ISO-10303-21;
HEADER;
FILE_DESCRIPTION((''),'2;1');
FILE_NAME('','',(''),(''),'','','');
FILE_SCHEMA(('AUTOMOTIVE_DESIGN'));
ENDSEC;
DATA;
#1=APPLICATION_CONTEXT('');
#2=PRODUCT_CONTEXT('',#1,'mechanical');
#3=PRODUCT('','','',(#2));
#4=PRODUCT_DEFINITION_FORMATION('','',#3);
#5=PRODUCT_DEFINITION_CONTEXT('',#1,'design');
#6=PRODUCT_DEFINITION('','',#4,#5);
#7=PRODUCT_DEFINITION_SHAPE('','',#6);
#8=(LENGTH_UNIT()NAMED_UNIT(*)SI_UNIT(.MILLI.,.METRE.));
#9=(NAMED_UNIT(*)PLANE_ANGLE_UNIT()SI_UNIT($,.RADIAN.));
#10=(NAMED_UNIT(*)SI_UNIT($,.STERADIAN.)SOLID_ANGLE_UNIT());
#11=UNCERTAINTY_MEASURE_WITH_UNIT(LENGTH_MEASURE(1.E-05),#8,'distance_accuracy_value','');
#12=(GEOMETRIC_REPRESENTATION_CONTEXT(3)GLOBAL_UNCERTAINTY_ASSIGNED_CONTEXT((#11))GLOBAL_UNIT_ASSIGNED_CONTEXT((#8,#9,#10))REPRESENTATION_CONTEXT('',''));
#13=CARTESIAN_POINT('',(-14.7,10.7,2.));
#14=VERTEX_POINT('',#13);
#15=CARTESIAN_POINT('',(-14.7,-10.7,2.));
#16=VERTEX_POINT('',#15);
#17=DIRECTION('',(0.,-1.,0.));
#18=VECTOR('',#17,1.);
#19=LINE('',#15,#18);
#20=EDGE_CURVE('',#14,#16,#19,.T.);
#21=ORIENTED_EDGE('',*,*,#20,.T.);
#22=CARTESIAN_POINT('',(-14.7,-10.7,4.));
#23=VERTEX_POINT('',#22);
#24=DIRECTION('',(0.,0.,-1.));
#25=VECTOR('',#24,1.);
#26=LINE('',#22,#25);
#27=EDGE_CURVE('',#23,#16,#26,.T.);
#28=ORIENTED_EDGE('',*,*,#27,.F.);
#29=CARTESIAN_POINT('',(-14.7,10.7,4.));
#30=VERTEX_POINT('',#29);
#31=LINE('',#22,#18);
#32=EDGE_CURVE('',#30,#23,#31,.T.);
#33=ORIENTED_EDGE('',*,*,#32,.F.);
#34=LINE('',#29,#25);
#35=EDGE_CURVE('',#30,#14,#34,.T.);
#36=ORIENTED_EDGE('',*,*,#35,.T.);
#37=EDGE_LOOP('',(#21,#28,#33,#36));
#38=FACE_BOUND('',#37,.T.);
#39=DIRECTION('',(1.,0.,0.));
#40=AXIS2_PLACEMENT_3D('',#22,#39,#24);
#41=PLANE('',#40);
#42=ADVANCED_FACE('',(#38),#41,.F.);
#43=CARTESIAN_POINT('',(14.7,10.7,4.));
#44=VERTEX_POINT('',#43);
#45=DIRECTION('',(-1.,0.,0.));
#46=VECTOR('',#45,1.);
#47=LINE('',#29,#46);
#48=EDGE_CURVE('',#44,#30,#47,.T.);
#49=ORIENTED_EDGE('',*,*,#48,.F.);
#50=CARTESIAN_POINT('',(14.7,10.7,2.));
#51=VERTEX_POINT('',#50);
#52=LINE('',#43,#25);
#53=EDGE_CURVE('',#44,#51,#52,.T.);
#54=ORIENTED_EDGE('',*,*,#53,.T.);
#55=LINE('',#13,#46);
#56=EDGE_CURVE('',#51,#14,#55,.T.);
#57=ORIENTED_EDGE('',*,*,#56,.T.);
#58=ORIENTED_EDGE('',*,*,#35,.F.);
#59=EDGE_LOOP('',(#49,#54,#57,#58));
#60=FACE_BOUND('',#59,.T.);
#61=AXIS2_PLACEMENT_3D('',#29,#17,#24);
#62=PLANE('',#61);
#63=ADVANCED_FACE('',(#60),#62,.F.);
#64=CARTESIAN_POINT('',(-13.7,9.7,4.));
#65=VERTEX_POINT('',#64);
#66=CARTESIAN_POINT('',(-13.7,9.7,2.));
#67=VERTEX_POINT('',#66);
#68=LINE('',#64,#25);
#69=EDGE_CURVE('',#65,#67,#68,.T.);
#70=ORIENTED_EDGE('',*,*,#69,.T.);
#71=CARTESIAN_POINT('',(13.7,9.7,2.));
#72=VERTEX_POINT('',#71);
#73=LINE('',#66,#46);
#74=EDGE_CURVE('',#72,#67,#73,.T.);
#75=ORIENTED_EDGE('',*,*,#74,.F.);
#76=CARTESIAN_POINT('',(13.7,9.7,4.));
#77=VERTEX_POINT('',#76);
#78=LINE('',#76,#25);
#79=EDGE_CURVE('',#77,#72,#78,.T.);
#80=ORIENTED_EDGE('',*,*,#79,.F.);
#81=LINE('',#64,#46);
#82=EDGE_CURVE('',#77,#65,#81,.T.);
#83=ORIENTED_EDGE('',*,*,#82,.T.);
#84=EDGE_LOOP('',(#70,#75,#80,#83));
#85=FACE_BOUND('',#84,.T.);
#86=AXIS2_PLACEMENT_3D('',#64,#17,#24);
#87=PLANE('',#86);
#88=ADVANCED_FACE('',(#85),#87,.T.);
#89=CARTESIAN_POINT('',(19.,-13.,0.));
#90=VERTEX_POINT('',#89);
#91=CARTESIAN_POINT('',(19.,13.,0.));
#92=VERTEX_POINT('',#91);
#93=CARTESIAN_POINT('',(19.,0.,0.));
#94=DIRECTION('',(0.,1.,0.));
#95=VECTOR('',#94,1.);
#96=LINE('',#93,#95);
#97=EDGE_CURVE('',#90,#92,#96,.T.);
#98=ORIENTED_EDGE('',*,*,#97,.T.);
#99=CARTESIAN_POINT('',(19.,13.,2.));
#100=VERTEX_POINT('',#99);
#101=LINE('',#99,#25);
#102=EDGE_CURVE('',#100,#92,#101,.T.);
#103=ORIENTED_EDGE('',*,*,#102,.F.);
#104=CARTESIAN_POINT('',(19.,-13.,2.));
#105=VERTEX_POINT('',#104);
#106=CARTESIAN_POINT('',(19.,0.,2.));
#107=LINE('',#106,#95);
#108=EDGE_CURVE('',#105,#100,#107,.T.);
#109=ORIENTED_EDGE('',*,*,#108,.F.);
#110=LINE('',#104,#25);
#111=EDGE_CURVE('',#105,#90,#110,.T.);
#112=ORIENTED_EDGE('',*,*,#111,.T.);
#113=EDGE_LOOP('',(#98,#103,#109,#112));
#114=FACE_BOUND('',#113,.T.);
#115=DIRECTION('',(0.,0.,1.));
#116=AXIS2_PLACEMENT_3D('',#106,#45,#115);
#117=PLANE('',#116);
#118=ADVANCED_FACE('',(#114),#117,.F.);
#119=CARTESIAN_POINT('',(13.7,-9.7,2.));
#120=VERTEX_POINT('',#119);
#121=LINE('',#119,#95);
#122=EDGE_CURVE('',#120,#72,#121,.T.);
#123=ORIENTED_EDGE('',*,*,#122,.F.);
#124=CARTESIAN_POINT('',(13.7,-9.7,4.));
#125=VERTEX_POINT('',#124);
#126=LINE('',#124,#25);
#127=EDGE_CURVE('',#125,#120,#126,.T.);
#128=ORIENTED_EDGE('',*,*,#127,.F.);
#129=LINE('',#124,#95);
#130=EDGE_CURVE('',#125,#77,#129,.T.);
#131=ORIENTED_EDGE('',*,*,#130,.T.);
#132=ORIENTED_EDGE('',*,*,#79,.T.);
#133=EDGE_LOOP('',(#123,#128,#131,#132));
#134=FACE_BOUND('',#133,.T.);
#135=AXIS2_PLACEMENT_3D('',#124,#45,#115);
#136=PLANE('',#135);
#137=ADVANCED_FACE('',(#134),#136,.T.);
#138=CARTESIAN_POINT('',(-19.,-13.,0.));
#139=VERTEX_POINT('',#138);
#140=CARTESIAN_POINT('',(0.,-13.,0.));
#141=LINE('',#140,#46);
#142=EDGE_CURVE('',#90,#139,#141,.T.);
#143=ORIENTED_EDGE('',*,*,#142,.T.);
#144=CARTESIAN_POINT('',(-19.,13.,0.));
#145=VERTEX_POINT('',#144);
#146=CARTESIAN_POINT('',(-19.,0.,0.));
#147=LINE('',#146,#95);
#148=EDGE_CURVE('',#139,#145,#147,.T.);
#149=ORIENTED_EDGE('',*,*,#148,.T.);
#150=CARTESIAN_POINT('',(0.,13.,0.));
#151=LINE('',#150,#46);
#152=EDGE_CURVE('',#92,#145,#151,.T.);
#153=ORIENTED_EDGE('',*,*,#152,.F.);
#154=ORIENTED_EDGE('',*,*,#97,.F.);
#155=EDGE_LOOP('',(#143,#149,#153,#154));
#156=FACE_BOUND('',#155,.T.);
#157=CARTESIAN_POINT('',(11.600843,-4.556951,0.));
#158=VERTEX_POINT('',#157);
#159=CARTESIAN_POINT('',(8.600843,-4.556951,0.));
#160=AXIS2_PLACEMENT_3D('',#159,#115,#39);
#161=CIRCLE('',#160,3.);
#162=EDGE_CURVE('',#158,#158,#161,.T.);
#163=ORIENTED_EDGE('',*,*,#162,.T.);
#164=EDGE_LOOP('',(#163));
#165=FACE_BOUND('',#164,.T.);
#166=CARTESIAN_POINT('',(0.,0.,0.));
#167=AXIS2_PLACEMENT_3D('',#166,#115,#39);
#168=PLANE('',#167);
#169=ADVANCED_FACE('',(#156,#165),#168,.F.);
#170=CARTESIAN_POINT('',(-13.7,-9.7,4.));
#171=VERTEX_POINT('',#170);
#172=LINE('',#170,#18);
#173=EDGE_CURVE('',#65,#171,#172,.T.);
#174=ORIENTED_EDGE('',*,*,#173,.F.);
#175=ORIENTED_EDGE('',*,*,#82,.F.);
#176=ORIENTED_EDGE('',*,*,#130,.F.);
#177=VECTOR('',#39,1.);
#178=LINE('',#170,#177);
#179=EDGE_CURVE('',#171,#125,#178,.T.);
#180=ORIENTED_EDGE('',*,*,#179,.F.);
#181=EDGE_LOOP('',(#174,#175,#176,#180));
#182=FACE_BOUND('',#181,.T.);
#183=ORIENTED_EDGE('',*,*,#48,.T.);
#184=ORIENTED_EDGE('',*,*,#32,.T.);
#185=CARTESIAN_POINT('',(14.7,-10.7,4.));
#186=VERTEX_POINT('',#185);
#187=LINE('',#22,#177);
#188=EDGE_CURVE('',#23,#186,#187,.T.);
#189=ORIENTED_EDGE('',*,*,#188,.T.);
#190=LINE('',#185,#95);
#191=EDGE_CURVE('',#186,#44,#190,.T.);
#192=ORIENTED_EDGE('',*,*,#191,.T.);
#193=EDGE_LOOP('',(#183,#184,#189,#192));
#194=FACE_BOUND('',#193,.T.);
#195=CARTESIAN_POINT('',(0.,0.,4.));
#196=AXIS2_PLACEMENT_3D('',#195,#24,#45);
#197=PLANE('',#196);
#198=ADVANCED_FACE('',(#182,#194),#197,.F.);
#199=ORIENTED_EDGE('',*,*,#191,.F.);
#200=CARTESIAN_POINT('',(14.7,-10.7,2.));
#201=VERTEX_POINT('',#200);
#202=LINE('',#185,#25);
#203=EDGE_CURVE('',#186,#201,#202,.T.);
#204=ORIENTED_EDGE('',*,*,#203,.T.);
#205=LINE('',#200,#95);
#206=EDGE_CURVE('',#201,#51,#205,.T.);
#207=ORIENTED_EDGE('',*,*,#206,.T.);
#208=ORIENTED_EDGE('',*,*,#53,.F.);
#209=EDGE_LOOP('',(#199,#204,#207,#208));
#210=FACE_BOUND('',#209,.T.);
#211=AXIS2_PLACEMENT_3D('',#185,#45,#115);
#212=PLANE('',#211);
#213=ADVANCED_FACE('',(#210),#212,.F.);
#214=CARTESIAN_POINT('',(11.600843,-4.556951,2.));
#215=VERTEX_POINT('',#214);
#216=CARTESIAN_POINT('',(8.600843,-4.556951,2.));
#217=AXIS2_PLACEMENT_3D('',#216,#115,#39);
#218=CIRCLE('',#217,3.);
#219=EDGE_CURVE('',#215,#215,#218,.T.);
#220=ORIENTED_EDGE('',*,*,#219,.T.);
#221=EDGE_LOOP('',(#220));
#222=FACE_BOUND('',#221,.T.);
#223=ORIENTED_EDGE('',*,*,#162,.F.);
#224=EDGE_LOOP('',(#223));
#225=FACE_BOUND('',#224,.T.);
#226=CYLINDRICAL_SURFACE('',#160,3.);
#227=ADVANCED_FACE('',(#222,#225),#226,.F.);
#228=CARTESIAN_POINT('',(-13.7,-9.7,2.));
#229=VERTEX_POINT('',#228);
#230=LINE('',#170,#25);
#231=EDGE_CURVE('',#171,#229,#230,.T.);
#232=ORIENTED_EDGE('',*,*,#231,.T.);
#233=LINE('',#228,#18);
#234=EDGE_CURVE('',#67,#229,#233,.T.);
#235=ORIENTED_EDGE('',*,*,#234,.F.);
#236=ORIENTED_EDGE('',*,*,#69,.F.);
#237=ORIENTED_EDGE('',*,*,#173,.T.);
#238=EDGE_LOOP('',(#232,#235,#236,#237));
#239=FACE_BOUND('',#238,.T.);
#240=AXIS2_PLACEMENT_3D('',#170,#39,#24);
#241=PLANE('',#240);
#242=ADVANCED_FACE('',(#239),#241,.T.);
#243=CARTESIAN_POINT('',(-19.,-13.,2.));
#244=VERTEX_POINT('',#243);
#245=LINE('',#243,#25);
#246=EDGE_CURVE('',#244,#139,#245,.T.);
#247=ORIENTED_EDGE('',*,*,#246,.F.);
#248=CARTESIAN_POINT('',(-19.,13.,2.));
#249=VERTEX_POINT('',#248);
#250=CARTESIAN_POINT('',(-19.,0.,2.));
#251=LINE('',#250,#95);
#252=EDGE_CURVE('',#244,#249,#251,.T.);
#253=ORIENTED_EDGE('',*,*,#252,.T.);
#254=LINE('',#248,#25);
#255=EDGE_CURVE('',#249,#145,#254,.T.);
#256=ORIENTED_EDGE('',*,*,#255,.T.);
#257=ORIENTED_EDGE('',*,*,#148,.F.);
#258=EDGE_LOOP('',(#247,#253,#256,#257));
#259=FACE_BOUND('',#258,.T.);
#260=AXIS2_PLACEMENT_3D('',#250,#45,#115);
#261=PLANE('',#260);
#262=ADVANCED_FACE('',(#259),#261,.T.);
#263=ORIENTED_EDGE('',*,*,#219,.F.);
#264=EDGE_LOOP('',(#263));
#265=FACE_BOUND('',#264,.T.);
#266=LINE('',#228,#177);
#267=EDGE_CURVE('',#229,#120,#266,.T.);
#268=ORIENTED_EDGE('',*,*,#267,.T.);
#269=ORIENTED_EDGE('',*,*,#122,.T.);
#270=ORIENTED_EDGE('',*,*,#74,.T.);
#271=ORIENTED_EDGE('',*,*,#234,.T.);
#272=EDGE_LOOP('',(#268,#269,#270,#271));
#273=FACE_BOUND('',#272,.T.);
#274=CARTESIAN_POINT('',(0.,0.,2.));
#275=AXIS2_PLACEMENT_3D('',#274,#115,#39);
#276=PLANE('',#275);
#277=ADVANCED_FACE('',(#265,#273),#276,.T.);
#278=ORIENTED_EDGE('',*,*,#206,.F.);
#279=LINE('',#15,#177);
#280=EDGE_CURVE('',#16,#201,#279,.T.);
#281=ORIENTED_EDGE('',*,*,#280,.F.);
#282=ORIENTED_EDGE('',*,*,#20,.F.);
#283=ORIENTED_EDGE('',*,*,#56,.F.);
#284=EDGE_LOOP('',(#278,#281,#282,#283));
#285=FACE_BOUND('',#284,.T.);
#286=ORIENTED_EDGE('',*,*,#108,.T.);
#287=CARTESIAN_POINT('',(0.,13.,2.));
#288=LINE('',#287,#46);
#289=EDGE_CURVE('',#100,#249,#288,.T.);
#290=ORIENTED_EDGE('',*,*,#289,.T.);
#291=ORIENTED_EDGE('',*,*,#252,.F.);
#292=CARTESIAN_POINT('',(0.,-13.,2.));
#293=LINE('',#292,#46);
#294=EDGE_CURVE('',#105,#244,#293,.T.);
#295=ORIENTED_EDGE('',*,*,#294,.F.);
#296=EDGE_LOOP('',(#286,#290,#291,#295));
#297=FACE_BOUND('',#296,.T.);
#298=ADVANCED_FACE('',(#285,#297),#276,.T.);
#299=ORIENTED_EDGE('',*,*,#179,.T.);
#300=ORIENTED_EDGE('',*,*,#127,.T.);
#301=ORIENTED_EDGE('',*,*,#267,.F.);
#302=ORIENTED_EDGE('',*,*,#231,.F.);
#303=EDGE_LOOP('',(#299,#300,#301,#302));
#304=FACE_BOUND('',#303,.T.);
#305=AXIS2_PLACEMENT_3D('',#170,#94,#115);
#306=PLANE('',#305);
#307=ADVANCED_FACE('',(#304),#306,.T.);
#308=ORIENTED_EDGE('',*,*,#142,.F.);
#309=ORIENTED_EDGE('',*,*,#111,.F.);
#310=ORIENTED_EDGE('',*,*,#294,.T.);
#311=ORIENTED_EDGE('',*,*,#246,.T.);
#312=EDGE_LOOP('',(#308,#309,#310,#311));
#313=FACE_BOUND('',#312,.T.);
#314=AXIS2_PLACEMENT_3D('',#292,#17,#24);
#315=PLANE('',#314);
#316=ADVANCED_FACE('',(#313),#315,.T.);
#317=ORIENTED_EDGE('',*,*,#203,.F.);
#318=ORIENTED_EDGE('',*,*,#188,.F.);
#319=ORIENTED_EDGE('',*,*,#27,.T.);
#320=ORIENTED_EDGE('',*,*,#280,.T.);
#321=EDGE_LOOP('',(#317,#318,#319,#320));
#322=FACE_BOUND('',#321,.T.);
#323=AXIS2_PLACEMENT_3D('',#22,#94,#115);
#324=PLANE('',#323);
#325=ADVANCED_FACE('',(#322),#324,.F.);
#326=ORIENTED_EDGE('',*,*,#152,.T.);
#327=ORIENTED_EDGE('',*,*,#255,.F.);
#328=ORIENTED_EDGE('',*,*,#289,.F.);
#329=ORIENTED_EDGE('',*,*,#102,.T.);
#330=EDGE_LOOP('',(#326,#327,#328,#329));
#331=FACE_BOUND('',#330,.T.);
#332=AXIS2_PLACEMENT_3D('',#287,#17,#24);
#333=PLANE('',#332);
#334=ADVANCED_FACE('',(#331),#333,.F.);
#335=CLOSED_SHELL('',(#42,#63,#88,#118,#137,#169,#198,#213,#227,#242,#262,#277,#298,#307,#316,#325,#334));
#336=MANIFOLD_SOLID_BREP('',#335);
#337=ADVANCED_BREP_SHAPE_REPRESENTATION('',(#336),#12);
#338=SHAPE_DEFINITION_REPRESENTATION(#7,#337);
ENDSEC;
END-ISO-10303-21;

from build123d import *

# Parameters (mm, degrees)
SKETCH1_W           = 38
SKETCH1_H           = 26
BOSS_EXTRUDE1_DEPTH = 2
SKETCH4_W           = 29.4
SKETCH4_H           = 21.4
SKETCH4_W_2         = 27.4
SKETCH4_H_2         = 19.4
BOSS_EXTRUDE2_DEPTH = 2
SKETCH5_R           = 3
CUT_EXTRUDE1_DEPTH  = 2


with BuildPart() as part:
    # Sketch1 → Boss-Extrude1 (new body)
    with BuildSketch(Plane.XY):
        Rectangle(SKETCH1_W, SKETCH1_H)
    extrude(amount=BOSS_EXTRUDE1_DEPTH)

    # Sketch4 → Boss-Extrude2 (add)
    with BuildSketch(Plane.XY.offset(2)):
        Rectangle(SKETCH4_W, SKETCH4_H)
        Rectangle(SKETCH4_W_2, SKETCH4_H_2, mode=Mode.SUBTRACT)
    extrude(amount=BOSS_EXTRUDE2_DEPTH)

    # Sketch5 → Cut-Extrude1 (cut)
    with BuildSketch(Plane.XY.offset(2)):
        with Locations((8.600842855, -4.556950786)):
            Circle(SKETCH5_R)
    extrude(amount=-CUT_EXTRUDE1_DEPTH, mode=Mode.SUBTRACT)


solid = part.part
